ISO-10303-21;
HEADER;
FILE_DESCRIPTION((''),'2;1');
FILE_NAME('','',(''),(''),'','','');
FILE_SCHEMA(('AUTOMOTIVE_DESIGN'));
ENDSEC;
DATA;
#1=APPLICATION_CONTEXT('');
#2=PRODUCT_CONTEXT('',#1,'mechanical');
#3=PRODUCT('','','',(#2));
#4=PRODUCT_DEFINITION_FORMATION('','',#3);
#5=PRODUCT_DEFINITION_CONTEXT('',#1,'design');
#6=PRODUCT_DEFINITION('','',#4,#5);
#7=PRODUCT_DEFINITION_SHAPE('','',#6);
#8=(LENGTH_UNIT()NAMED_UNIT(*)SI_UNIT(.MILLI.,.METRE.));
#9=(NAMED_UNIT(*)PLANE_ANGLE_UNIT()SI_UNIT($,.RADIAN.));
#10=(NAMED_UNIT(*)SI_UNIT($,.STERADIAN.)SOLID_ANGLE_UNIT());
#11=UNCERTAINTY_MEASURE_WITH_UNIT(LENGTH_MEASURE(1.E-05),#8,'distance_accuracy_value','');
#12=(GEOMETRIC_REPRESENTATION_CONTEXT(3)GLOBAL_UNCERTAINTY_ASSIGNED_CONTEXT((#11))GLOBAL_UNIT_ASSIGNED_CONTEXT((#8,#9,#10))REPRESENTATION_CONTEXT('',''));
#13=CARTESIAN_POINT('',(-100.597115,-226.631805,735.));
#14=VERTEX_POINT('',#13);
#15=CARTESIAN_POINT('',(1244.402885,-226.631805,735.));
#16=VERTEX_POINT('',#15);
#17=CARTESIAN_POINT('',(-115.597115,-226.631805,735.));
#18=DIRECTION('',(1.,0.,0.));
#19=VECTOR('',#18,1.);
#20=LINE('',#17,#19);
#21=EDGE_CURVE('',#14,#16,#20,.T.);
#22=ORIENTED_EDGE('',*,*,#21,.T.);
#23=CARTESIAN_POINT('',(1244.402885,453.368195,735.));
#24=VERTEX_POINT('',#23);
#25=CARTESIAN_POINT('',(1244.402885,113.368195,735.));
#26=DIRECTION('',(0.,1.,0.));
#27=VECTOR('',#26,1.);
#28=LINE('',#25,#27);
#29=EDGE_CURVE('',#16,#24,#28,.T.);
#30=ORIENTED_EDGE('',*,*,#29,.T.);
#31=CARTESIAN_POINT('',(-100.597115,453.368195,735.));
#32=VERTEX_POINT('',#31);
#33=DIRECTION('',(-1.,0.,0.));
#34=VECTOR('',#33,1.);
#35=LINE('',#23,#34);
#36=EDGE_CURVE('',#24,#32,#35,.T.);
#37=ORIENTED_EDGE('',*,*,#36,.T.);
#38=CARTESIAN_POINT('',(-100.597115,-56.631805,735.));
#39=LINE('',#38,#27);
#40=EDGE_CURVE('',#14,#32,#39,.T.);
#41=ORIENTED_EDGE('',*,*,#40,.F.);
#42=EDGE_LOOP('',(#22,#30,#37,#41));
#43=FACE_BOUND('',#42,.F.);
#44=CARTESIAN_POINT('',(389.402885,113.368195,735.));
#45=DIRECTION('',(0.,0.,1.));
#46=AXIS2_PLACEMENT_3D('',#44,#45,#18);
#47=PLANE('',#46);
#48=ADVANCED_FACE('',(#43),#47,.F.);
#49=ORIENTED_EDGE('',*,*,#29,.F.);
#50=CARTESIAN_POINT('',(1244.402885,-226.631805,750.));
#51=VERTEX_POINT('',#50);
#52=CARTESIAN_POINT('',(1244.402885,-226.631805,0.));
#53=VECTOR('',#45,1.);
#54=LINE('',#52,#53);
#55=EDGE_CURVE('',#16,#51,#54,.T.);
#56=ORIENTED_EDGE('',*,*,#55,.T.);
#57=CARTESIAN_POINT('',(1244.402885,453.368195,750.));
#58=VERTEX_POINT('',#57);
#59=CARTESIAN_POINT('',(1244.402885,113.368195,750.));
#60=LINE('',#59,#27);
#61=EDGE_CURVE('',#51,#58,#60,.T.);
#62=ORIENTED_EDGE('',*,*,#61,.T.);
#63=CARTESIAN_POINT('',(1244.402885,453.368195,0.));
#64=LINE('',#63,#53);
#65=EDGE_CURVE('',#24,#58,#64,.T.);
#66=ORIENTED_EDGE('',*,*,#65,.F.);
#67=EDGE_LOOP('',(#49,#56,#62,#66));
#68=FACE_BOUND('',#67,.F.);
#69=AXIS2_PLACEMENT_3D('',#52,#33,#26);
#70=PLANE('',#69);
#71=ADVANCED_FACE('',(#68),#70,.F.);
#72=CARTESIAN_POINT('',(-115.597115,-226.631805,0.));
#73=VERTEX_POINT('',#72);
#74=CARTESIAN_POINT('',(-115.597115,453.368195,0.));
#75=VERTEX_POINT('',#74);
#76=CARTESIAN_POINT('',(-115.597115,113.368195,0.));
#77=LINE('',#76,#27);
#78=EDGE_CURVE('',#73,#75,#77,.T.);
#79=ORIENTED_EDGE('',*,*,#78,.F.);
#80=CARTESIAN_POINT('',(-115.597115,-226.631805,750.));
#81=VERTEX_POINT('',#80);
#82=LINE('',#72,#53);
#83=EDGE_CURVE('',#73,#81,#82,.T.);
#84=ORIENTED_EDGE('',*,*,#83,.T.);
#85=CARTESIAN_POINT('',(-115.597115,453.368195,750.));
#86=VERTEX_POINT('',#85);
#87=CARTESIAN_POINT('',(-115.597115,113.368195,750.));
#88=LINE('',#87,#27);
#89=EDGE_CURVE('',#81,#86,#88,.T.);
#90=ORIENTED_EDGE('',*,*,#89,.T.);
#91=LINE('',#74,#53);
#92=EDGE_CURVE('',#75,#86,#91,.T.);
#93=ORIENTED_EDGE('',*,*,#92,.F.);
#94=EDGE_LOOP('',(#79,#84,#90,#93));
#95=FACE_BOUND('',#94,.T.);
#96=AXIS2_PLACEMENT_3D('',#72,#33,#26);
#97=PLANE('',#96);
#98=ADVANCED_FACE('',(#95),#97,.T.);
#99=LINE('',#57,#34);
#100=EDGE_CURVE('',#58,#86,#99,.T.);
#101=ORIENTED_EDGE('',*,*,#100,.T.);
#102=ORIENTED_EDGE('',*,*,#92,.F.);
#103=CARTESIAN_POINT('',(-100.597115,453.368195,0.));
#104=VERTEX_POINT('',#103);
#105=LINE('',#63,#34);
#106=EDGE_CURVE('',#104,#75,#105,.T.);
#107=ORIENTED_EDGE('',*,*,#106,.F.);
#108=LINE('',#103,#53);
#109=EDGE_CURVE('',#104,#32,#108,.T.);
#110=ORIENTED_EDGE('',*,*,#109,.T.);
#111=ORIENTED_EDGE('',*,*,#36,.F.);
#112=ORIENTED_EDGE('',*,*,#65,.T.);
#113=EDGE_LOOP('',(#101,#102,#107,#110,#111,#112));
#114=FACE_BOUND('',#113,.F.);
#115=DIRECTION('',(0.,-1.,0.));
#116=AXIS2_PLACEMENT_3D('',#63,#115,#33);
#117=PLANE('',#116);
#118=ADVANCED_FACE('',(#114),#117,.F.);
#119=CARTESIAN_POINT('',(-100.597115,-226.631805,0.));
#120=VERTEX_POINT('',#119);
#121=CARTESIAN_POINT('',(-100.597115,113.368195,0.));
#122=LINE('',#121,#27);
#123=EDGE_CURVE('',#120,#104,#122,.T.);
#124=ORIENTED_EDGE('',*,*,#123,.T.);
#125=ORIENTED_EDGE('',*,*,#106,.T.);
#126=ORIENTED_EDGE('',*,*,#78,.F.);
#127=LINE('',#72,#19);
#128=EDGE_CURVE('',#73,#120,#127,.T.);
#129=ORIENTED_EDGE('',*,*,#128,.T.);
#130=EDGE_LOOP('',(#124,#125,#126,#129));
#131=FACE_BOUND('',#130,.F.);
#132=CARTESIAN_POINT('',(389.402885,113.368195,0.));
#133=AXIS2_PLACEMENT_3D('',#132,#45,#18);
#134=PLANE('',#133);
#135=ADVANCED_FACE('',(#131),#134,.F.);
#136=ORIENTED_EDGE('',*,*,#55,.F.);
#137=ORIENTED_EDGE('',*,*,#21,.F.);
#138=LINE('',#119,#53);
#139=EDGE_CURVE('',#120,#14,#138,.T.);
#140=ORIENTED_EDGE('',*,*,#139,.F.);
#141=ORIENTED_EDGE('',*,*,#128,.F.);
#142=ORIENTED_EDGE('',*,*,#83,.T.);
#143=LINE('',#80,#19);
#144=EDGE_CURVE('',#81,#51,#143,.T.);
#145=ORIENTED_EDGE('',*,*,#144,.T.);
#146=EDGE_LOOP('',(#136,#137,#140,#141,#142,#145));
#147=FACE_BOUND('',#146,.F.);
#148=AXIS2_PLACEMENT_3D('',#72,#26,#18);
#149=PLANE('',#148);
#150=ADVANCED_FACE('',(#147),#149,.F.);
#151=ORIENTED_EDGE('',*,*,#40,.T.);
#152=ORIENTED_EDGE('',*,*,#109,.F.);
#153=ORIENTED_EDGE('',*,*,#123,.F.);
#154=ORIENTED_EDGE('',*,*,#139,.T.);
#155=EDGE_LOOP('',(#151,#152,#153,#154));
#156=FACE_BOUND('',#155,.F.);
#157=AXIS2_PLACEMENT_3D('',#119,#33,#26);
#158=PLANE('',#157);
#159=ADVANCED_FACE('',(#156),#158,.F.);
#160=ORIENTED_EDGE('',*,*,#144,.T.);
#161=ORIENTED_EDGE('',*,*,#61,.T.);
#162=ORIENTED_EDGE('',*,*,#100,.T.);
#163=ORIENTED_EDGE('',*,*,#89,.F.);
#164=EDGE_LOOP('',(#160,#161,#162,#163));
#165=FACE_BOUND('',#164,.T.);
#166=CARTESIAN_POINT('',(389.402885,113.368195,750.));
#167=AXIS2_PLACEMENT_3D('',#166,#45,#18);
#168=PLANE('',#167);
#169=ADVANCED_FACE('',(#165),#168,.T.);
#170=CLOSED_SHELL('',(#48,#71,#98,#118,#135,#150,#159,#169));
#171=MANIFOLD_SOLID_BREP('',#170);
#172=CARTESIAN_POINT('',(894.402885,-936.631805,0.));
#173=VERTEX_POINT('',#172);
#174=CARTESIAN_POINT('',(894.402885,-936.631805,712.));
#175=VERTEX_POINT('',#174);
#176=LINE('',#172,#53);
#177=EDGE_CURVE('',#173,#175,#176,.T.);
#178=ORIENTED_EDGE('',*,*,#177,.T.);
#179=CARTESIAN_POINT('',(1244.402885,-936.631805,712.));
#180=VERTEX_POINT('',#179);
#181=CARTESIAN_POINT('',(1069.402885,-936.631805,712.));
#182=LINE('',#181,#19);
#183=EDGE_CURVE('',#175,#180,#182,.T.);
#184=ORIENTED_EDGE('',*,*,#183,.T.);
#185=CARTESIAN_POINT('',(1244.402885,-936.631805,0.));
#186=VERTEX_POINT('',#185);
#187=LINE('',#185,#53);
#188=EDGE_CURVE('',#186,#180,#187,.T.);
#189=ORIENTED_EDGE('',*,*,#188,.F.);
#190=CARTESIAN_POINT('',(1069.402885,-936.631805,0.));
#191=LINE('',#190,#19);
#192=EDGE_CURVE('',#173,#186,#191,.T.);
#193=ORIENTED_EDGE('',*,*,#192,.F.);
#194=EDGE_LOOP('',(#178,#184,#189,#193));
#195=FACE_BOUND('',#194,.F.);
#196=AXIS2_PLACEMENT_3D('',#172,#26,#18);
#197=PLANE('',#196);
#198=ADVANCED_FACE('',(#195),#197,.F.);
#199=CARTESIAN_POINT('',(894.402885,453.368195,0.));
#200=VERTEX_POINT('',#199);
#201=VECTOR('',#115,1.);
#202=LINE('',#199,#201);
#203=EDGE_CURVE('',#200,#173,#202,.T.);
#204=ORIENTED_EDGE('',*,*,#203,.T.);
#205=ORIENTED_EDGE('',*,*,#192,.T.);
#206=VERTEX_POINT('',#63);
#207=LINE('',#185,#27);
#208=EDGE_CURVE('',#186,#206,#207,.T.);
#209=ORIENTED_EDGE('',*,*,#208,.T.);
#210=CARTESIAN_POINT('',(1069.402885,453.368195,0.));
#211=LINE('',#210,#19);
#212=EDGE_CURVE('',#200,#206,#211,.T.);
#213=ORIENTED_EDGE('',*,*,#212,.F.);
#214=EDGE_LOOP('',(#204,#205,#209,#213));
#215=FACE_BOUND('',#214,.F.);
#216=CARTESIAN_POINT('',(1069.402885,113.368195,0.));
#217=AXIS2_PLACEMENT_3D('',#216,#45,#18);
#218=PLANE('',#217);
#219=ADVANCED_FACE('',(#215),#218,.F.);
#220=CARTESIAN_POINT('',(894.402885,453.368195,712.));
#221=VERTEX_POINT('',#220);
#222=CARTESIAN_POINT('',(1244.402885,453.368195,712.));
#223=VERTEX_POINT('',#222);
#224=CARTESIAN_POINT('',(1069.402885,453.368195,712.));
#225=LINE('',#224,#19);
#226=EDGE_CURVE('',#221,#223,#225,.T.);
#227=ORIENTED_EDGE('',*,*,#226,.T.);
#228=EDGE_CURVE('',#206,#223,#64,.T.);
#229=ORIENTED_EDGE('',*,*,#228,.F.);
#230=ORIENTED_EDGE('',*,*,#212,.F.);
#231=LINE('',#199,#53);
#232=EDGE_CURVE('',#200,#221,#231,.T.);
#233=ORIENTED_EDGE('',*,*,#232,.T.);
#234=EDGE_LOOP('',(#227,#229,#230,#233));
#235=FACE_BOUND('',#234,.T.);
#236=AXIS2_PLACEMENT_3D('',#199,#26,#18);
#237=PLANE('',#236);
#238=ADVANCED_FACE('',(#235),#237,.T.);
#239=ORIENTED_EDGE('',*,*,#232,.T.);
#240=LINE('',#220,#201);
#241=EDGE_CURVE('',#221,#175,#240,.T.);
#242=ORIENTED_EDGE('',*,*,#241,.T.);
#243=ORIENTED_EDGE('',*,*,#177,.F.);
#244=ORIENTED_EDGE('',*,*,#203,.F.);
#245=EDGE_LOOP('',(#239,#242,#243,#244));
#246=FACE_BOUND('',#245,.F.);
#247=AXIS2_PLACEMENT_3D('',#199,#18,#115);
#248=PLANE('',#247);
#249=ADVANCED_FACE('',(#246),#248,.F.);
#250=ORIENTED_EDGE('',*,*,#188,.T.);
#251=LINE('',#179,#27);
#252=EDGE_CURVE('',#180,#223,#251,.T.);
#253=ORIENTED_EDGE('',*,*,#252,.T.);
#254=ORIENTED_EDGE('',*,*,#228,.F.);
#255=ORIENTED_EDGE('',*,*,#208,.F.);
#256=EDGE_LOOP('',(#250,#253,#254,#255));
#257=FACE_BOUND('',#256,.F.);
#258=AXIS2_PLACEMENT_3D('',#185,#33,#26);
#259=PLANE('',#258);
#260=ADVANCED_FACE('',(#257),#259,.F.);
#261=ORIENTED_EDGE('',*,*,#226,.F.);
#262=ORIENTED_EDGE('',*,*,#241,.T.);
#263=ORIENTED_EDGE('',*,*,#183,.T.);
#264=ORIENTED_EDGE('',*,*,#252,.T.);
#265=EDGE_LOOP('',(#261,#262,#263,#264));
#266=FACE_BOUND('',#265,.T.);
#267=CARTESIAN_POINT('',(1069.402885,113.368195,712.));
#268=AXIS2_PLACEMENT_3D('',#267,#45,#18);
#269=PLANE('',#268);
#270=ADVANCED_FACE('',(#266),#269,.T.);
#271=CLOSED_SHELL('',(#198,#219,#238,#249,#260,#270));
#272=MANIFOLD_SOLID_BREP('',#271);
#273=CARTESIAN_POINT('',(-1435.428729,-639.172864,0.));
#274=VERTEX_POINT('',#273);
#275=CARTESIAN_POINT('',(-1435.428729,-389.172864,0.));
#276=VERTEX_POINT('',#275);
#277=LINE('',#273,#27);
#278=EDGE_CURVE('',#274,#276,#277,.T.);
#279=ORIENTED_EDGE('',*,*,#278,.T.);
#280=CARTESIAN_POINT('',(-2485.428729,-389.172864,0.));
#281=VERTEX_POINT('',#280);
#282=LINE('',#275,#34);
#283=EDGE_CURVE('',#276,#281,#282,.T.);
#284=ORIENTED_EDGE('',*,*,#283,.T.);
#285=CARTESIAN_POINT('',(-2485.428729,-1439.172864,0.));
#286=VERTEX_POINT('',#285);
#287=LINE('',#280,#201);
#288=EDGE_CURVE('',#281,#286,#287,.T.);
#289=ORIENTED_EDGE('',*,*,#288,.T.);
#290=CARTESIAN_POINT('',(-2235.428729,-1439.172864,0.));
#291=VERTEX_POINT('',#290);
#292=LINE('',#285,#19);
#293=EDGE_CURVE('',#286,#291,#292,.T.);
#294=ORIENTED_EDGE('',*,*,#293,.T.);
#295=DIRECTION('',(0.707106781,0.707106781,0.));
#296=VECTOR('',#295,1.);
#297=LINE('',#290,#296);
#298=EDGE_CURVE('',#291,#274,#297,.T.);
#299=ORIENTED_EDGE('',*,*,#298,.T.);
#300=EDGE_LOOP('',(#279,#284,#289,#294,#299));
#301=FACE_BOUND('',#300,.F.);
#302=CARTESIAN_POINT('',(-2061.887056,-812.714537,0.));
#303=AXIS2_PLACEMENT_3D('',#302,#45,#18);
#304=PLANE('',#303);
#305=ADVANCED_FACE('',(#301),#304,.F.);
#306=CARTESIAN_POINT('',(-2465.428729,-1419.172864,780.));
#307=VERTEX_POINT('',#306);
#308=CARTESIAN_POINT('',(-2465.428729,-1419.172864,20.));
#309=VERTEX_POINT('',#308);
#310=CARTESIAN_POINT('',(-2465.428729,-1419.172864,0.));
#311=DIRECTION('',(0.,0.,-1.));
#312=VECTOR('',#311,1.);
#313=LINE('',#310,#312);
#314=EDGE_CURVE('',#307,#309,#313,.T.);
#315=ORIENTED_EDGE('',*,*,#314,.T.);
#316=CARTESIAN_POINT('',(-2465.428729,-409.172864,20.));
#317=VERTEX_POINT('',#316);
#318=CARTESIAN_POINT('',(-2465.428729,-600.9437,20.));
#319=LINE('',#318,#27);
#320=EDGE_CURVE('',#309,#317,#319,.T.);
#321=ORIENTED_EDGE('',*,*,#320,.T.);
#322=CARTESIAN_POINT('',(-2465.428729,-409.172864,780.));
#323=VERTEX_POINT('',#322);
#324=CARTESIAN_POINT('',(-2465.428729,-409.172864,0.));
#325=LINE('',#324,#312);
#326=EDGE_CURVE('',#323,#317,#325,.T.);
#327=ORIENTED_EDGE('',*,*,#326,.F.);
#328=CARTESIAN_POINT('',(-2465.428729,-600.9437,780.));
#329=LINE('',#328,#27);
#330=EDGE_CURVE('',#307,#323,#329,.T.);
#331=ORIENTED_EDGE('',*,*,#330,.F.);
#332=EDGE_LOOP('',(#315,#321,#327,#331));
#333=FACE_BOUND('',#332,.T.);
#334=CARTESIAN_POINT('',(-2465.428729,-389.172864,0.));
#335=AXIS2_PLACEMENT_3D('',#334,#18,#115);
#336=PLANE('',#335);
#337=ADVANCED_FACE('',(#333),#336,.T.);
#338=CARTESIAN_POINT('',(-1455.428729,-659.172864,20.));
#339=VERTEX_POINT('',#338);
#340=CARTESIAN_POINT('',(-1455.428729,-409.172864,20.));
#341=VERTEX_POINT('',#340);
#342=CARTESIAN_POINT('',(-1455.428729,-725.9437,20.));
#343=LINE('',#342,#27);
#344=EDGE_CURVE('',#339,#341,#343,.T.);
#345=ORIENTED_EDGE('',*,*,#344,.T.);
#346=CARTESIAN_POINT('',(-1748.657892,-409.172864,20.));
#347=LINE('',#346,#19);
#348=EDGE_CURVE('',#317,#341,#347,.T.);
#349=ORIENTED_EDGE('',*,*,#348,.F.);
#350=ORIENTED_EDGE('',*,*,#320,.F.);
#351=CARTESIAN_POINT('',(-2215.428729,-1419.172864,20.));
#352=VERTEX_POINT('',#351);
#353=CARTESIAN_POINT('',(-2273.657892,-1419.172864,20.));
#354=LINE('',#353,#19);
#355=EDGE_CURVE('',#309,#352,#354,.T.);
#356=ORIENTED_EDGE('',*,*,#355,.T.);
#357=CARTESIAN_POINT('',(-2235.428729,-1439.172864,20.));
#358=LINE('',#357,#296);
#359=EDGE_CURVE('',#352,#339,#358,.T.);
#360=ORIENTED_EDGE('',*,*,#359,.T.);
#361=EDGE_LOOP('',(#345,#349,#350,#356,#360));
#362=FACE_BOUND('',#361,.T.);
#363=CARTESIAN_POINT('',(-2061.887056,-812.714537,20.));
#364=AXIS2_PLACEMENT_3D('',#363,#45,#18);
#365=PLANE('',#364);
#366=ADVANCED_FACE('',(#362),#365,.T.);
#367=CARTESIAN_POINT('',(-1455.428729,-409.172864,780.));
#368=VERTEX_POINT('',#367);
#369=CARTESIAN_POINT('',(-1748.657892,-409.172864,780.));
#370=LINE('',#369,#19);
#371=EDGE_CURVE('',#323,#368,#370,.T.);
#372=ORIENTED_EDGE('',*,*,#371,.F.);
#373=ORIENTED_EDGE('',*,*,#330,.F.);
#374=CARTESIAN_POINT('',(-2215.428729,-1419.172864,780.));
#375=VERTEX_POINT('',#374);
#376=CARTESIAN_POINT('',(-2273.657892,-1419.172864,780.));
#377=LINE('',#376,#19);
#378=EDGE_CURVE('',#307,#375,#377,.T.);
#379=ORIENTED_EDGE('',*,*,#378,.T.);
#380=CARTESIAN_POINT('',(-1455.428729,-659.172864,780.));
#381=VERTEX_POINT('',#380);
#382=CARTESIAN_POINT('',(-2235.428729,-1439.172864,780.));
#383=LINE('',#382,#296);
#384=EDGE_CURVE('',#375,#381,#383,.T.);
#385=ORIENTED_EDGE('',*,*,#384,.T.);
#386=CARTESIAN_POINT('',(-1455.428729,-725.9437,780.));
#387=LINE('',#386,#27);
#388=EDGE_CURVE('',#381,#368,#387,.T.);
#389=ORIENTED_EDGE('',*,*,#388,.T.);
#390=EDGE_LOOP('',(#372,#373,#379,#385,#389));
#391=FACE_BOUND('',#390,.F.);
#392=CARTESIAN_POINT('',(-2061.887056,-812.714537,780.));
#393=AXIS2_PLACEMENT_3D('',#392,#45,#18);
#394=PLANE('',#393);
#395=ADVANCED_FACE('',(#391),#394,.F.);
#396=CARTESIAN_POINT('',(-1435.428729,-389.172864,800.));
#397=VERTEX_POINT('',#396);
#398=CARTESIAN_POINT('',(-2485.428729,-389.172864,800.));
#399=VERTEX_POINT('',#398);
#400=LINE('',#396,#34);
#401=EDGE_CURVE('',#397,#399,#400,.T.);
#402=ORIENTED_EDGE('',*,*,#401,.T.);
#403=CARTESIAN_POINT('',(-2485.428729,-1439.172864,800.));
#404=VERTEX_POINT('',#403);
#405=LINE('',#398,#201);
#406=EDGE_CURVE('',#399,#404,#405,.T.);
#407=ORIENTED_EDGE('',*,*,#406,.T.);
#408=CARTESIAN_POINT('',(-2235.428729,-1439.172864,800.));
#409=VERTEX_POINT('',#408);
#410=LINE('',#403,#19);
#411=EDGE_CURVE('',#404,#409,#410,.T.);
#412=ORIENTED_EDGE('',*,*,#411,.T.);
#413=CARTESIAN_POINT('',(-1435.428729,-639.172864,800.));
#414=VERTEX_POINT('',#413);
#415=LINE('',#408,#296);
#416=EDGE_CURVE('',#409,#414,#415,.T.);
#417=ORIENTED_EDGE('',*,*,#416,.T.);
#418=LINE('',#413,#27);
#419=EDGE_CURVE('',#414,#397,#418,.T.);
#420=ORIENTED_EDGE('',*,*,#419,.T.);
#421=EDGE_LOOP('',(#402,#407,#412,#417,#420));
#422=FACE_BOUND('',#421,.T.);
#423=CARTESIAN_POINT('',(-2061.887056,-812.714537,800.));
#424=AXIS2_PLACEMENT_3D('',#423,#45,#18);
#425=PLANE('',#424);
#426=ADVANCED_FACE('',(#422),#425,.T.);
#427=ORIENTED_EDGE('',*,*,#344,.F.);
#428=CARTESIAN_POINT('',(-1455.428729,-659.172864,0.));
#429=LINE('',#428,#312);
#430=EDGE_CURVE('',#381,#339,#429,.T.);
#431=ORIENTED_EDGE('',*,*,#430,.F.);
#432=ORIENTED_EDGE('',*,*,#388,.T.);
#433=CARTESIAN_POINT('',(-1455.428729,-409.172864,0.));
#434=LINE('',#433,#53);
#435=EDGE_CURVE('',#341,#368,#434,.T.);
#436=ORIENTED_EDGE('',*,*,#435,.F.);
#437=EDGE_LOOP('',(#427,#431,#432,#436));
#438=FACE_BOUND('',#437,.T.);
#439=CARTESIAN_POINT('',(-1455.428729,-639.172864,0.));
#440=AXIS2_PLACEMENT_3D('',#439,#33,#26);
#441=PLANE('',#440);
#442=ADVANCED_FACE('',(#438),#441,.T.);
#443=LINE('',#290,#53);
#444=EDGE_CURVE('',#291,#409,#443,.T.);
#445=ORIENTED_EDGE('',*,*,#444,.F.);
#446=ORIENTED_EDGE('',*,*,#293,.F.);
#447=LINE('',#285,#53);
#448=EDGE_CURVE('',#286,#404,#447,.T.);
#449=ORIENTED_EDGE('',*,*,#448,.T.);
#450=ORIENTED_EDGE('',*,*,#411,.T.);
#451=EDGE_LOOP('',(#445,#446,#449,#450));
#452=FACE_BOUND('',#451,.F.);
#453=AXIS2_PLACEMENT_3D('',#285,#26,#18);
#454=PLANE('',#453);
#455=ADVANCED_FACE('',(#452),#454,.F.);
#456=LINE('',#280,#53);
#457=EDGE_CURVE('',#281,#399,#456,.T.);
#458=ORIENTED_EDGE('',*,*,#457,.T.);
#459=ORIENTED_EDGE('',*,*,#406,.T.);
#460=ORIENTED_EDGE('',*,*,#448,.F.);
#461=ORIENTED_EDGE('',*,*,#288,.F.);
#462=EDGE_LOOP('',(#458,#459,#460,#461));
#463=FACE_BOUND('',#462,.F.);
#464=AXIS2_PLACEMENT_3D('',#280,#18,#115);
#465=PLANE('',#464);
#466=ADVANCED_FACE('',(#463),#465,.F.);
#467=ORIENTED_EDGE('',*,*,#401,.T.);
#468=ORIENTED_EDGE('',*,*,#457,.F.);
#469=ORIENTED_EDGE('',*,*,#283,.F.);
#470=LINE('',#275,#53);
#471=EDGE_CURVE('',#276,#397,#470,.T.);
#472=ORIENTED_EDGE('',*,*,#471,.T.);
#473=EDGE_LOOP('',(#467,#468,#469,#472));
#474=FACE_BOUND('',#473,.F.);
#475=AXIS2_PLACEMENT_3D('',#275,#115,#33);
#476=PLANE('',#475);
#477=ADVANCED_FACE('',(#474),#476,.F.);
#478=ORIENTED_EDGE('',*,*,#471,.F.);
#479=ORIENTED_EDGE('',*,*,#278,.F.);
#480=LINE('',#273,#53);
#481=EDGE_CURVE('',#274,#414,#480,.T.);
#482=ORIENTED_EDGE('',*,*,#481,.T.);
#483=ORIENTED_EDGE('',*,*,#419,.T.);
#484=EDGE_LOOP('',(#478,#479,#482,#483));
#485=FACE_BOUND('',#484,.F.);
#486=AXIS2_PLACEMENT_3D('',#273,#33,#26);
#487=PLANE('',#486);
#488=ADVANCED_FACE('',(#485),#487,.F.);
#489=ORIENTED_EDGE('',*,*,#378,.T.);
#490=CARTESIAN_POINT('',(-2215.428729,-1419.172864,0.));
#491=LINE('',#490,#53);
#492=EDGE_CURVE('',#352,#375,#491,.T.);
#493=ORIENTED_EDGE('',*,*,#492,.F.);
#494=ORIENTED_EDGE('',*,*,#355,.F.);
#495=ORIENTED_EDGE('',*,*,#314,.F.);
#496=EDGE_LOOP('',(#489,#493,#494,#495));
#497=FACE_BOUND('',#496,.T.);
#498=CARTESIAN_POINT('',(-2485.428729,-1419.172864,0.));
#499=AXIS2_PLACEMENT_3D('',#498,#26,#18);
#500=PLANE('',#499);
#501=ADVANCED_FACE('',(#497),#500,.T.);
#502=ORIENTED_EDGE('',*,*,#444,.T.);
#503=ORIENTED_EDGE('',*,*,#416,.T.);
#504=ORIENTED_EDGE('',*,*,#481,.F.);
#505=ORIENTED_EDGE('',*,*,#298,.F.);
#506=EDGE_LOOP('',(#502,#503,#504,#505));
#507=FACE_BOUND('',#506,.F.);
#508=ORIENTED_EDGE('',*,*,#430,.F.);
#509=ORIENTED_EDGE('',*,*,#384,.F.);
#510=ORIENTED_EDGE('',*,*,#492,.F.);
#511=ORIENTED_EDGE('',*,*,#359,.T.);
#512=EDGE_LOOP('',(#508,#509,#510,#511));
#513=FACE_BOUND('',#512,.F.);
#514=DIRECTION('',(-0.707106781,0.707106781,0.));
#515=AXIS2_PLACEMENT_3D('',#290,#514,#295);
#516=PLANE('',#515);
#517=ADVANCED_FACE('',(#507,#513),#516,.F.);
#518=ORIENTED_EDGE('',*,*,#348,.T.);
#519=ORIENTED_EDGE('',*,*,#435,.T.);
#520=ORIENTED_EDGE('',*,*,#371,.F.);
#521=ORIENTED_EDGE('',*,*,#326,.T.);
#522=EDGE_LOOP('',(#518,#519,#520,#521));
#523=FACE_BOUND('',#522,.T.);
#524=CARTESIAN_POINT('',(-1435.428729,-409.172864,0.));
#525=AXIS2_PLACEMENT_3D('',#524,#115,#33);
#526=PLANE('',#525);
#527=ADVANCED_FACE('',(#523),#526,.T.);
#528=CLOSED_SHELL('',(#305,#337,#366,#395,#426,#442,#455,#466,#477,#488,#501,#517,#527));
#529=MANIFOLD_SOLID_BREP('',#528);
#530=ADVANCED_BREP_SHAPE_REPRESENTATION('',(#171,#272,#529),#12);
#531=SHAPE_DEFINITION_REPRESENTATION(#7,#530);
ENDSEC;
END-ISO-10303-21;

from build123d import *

# Parameters (mm, degrees)
F0_W     = 1010
F0_H     = 680
F0_W_2   = 350
F1_DEPTH = 750
F2_T     = -15
F0_H_2   = 710
F3_DEPTH = 712
F5_DEPTH = 800
F6_T     = -20


with BuildPart() as f1:
    # F0 (on Top) → F1 (new body)
    with BuildSketch(Plane.XY):
        with Locations((389.402885437, 113.3681946993)):
            Rectangle(F0_W, F0_H)
        with Locations((1069.402885437, 113.3681946993)):
            Rectangle(F0_W_2, F0_H)
    extrude(amount=F1_DEPTH)

    # F2
    f2_openings = [f1.faces().sort_by_distance(p)[0] for p in [
        (564.402885, -226.631805, 375),
        (1244.402885, 113.368195, 375),
        (564.402885, 453.368195, 375),
        (564.402885, 113.368195, 0),
    ]]
    offset(amount=F2_T, openings=f2_openings)


with BuildPart() as f3:
    # F0 (on Top) → F3 (new body)
    with BuildSketch(Plane.XY):
        with Locations((1069.402885437, 113.3681946993)):
            Rectangle(F0_W_2, F0_H)
        with Locations((1069.402885437, -581.6318053007)):
            Rectangle(F0_W_2, F0_H_2)
    extrude(amount=F3_DEPTH)


with BuildPart() as f5:
    # F4 (on face) → F5 (new body)
    with BuildSketch(Plane.XY):
        Polygon((-1435.4287287383, -389.1728639603), (-2485.4287287383, -389.1728639603), (-2485.4287287383, -1439.1728639603), (-2235.4287287383, -1439.1728639603), (-1435.4287287383, -639.1728639603), align=None)
    extrude(amount=F5_DEPTH)

    # F6
    f6_openings = [f5.faces().sort_by_distance(p)[0] for p in [
        (-1835.428729, -1039.172864, 400),
    ]]
    offset(amount=F6_T, openings=f6_openings)


solid = Compound([f1.part, f3.part, f5.part])
